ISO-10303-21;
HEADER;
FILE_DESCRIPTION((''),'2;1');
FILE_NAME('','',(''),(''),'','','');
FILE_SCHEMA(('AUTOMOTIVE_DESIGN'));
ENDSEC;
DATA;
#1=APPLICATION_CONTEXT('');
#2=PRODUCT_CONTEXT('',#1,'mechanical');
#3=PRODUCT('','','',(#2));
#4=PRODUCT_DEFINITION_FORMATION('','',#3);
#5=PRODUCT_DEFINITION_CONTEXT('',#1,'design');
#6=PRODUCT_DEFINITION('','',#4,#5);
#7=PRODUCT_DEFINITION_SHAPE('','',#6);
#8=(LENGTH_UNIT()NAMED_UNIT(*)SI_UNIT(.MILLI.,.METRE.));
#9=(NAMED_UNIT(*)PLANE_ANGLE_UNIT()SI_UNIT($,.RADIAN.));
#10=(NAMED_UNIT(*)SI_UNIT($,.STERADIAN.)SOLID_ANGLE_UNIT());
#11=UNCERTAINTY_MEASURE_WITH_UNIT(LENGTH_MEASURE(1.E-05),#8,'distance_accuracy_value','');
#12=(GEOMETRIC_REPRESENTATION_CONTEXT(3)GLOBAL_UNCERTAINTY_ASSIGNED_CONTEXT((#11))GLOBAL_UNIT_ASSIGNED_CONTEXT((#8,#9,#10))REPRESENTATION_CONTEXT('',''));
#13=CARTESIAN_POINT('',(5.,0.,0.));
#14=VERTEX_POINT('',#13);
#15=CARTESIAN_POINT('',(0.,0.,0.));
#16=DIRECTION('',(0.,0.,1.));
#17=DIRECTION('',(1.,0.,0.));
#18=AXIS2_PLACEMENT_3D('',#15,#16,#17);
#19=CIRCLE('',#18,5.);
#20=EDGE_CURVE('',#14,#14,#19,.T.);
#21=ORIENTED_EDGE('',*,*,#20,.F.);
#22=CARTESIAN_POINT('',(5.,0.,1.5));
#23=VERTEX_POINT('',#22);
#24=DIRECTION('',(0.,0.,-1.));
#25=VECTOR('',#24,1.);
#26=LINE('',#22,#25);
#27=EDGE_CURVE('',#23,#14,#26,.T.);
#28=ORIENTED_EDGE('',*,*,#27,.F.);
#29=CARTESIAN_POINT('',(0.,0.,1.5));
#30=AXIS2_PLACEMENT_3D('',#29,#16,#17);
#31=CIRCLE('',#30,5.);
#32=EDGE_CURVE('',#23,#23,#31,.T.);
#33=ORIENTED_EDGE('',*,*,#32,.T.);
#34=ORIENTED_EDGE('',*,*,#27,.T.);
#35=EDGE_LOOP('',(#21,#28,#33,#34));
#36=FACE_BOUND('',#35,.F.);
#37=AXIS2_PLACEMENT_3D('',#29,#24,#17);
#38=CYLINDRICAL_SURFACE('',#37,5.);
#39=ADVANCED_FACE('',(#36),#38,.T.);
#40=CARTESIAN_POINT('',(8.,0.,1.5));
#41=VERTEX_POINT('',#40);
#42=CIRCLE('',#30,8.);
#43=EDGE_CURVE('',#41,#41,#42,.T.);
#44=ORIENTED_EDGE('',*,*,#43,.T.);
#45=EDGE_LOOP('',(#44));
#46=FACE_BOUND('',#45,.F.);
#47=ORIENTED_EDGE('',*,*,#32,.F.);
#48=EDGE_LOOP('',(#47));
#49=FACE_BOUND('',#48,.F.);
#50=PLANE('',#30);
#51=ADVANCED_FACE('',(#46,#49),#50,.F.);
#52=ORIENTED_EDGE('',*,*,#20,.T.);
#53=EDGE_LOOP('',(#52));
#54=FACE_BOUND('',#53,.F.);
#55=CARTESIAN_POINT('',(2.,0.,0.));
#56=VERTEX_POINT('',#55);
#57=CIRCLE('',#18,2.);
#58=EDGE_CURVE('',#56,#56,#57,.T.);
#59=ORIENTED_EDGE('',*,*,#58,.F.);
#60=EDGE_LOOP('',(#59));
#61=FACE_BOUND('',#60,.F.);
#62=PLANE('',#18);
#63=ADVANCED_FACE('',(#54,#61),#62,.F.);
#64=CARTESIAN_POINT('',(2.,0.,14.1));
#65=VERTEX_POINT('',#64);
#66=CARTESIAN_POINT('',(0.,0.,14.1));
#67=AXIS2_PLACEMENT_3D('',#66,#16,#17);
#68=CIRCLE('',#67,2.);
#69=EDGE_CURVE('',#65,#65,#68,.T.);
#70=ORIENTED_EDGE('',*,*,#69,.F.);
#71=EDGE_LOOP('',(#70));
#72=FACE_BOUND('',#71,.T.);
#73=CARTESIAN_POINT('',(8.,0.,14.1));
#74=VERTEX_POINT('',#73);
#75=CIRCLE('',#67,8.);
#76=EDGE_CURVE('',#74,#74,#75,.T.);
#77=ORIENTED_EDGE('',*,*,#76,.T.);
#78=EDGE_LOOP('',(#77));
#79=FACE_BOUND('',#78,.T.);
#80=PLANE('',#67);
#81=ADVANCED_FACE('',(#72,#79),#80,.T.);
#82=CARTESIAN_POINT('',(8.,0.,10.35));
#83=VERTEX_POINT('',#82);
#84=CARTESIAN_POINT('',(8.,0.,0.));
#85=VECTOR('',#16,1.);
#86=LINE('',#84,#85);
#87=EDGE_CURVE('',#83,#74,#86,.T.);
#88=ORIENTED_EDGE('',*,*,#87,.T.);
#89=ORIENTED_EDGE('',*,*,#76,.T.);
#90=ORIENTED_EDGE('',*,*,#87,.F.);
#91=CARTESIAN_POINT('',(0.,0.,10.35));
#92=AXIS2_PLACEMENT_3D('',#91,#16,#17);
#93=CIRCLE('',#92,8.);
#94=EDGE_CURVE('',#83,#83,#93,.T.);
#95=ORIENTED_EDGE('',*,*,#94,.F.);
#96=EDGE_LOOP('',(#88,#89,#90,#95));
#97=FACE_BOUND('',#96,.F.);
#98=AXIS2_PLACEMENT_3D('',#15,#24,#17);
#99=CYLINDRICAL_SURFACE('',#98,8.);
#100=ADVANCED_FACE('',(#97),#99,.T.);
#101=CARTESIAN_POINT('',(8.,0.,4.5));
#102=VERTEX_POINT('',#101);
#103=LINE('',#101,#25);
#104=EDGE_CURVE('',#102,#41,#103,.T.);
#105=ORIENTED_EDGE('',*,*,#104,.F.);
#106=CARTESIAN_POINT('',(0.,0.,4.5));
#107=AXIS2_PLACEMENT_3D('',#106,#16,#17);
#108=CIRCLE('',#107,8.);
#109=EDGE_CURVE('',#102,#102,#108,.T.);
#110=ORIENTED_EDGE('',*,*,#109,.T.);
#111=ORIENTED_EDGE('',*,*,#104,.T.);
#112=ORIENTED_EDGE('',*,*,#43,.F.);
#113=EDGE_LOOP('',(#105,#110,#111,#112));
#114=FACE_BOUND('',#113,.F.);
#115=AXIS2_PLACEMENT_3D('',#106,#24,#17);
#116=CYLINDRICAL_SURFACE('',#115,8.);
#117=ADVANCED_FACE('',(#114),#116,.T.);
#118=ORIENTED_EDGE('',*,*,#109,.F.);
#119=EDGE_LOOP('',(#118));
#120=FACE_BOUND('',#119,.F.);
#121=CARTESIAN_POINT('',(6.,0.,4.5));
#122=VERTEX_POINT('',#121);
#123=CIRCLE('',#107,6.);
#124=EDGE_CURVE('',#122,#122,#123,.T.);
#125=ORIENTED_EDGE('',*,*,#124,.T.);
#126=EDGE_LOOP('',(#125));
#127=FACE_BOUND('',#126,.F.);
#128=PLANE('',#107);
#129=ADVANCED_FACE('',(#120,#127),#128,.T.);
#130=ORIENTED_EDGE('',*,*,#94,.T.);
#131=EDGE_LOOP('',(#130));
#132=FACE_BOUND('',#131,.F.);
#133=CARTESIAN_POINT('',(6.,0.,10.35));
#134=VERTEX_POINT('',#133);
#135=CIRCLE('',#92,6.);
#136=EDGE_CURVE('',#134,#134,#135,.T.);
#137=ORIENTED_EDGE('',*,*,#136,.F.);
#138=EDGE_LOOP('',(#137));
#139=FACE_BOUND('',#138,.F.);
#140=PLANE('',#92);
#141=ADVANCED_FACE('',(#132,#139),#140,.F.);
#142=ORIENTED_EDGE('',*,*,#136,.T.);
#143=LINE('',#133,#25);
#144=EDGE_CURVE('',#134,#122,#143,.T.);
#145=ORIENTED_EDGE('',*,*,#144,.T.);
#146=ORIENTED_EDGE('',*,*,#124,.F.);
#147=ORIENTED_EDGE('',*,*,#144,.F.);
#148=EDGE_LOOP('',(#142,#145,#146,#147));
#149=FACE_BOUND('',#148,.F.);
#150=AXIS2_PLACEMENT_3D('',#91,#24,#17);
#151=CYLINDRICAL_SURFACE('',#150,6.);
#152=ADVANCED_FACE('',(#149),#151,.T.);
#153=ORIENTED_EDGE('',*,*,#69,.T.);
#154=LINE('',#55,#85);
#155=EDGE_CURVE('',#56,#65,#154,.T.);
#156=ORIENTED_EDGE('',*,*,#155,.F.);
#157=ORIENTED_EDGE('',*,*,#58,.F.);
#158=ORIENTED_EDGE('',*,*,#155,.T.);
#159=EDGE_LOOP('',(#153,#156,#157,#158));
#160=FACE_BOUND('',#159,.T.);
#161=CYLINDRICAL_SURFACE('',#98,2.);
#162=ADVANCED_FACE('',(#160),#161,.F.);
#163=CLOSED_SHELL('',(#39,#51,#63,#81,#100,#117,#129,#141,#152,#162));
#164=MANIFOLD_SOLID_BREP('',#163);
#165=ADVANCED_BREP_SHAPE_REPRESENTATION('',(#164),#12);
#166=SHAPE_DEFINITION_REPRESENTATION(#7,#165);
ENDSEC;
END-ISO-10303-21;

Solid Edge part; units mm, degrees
sketch "Sketch1" plane through (0, 0, 0) normal (0, 0, 1) x (1, 0, 0)
  circle A0 centre (0, 0) radius 8
  circle A1 centre (0, 0) radius 2
extrude "Protrusion1" add sketch "Sketch1" along normal blind 14.1
sketch "Sketch2" plane through (0, 0, 0) normal (0, -1, 0) x (1, 0, 0)
  line L0 (8, 14.1) -> (8, 10.35)
  line L1 (8, 10.35) -> (6, 10.35)
  line L2 (6, 10.35) -> (6, 4.5)
  line L3 (6, 4.5) -> (8, 4.5)
  line L4 (8, 4.5) -> (8, 1.5)
  line L5 (8, 1.5) -> (5, 1.5)
  line L6 (5, 1.5) -> (5, 0)
  line L7 (5, 0) -> (11.0078, 0)
  line L8 (11.0078, 0) -> (11.0078, 14.1)
  line L9 (11.0078, 14.1) -> (8, 14.1)
revolve "RevolvedCutout1" cut sketch "Sketch2" angle 360 about axis through (0, 0, 1.5256) along (0, 0, 1)
